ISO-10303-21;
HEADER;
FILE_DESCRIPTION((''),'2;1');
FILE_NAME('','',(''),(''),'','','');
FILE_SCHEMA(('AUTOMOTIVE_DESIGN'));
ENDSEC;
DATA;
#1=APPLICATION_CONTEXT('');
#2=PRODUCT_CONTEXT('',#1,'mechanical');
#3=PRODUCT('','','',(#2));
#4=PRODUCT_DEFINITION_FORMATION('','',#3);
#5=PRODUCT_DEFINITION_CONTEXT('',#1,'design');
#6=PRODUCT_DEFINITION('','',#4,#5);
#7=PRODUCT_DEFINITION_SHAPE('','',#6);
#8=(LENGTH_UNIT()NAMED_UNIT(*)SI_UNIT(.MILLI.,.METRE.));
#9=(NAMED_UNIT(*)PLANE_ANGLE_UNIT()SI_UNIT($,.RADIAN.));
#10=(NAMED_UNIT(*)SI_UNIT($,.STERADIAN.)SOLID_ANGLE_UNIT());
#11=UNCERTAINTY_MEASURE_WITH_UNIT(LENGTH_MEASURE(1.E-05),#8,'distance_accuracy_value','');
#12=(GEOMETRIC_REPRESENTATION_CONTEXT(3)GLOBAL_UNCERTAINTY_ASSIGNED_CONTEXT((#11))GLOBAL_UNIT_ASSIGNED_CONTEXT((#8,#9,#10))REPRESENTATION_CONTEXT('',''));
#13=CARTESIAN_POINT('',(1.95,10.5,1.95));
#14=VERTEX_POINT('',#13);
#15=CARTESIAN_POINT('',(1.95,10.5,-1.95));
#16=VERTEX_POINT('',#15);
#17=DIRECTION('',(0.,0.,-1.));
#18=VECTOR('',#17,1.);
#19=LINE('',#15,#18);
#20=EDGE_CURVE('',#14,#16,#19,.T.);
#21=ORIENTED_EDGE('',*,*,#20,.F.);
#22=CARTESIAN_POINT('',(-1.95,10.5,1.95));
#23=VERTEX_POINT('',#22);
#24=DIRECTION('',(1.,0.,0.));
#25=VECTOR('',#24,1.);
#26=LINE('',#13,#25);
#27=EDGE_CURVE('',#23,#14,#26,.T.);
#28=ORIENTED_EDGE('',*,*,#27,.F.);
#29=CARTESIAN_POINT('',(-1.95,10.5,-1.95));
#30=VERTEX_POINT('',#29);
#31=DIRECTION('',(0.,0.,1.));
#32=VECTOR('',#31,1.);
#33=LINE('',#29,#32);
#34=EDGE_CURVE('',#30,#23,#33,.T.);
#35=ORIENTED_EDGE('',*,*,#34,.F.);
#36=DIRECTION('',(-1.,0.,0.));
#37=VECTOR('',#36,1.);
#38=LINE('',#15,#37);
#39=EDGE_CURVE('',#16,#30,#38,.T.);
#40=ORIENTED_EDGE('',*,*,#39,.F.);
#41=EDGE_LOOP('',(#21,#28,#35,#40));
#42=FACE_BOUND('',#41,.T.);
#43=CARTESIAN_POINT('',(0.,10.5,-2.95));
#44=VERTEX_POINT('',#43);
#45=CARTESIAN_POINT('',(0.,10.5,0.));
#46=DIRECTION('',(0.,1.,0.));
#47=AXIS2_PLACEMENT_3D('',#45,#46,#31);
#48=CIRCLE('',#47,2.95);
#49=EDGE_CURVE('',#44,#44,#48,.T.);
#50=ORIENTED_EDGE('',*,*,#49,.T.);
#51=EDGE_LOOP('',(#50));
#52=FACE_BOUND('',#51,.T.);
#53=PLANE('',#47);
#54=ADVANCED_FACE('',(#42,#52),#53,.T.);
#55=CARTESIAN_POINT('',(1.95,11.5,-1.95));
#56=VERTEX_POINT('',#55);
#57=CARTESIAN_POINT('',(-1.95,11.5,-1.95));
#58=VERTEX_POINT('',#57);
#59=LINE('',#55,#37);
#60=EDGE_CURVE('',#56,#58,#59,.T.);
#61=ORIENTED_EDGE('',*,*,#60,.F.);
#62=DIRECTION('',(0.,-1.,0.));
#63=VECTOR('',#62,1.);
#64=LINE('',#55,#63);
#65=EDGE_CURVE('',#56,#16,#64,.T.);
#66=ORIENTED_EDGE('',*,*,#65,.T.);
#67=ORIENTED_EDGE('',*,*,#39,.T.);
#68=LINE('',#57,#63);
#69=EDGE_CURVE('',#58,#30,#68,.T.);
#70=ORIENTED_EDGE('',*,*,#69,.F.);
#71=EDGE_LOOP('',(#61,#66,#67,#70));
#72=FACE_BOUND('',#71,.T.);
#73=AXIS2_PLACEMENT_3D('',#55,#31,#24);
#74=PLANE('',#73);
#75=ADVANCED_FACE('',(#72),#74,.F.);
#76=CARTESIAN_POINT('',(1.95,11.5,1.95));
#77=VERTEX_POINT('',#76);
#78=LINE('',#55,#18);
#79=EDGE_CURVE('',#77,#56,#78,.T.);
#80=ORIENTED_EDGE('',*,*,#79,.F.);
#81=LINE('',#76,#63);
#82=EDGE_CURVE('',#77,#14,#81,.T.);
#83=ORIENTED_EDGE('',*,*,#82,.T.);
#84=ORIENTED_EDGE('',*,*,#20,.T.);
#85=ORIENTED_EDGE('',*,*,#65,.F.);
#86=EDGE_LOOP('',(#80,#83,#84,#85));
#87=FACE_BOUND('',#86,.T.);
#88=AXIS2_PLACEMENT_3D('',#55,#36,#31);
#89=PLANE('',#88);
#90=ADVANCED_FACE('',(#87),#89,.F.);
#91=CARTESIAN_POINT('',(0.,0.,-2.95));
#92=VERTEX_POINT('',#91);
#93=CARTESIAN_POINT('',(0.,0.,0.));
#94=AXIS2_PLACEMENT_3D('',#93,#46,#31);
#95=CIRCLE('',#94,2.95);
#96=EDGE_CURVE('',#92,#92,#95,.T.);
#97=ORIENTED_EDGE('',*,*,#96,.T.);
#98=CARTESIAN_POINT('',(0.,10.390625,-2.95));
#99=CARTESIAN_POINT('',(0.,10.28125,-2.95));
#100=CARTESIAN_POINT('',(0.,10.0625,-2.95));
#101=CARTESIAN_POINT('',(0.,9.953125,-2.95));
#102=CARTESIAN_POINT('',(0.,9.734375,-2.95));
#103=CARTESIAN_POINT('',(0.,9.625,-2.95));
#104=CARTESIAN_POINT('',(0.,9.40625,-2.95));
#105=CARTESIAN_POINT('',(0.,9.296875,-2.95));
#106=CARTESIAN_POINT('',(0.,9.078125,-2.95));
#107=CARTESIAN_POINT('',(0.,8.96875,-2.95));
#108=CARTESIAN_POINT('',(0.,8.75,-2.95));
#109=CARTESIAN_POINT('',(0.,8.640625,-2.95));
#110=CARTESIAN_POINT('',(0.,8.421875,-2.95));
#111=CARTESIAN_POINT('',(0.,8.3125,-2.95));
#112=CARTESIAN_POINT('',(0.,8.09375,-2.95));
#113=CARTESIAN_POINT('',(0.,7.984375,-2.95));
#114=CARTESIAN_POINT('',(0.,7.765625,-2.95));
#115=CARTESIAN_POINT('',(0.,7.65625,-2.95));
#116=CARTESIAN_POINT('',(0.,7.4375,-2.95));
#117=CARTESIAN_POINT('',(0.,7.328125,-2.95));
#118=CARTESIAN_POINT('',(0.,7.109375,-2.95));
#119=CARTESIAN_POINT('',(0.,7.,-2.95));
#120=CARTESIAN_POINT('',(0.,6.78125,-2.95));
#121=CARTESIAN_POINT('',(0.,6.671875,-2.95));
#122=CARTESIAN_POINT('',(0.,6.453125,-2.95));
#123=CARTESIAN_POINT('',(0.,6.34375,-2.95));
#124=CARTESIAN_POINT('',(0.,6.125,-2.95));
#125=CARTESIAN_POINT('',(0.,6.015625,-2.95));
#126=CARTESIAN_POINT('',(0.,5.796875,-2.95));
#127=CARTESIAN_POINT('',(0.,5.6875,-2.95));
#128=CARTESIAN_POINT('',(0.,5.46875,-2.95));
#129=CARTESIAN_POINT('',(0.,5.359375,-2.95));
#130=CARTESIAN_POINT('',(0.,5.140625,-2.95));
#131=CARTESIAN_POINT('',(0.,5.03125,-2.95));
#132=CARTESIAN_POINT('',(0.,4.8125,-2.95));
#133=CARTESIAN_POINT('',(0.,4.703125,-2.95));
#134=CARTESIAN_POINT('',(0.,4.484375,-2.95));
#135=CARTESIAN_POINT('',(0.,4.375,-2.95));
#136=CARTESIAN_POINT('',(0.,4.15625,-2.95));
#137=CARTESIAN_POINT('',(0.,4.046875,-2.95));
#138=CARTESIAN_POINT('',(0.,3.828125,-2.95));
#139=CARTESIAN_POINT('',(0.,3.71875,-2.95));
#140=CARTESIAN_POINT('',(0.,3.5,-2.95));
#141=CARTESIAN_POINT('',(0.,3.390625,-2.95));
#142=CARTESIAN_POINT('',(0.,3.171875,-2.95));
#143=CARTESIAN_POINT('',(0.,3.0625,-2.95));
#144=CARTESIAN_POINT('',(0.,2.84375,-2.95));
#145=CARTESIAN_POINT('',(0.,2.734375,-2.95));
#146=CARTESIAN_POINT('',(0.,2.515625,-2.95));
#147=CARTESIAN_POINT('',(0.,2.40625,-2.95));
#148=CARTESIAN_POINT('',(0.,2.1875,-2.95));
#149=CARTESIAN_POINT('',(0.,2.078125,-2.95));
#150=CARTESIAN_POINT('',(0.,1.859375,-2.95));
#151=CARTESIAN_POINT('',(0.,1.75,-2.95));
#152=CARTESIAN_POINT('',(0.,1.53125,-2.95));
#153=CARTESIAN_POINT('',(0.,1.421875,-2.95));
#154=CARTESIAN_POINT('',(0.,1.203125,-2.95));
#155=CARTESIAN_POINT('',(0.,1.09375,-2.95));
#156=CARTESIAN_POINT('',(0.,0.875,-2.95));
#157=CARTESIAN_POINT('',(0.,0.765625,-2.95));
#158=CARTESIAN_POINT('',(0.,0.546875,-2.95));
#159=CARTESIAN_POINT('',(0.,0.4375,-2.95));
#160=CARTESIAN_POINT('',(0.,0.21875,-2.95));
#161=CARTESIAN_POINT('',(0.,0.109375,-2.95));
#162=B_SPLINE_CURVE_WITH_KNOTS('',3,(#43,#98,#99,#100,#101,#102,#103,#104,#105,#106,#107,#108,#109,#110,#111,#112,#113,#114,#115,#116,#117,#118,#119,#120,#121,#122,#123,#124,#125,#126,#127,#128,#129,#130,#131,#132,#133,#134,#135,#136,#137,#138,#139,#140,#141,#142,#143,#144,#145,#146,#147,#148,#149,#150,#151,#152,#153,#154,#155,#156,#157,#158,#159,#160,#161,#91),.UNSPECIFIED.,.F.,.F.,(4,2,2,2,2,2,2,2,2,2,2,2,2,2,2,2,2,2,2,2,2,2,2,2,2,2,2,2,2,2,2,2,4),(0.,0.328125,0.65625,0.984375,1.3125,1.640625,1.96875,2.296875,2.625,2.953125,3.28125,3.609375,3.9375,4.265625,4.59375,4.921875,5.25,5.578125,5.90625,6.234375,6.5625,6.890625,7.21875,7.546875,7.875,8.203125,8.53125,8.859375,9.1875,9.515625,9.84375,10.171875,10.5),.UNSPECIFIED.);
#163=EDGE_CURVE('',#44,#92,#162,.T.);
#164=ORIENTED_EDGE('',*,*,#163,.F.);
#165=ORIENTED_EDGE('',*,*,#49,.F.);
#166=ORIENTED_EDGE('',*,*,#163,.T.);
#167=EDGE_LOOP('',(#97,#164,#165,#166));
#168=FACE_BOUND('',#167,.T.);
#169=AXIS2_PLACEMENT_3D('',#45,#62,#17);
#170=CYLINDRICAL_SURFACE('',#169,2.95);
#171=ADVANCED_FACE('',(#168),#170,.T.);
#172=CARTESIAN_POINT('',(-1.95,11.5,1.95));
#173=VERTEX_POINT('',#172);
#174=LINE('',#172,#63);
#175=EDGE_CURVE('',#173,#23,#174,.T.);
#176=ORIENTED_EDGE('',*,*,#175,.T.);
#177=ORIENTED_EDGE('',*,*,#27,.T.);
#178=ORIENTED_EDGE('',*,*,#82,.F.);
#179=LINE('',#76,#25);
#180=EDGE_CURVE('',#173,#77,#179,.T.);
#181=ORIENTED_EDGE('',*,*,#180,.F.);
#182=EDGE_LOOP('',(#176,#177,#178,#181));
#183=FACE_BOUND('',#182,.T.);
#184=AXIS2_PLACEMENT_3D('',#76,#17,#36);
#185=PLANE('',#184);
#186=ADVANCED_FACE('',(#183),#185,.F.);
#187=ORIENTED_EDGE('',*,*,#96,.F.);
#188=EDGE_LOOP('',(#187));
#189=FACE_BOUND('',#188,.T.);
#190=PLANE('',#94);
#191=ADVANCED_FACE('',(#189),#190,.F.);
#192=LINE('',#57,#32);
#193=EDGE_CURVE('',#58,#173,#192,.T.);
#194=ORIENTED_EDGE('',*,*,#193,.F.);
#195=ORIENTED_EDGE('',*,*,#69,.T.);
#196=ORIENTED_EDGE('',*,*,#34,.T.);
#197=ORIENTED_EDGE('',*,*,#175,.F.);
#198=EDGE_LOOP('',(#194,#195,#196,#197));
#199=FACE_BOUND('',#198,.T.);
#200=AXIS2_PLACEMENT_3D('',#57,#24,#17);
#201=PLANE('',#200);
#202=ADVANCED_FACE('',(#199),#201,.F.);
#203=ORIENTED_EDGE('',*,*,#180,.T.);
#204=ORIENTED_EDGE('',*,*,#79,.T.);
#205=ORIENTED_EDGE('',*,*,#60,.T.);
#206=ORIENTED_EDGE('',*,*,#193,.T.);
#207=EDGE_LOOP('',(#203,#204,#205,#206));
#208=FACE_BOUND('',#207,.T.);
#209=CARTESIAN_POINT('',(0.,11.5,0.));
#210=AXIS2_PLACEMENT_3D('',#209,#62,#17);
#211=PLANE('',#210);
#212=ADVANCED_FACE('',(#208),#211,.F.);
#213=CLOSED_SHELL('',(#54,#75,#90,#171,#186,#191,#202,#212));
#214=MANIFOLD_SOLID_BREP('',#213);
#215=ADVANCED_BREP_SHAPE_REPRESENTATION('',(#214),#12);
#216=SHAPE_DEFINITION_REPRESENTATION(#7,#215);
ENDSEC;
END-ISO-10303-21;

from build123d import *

# Parameters (mm, degrees)
SKETCH1_R           = 2.95
BOSS_EXTRUDE1_DEPTH = 10.5
SKETCH2_W           = 3.9
SKETCH2_H           = 3.9
BOSS_EXTRUDE3_DEPTH = 1


with BuildPart() as part:
    # Sketch1 → Boss-Extrude1 (new body)
    with BuildSketch(Plane(origin=(0, 0, 0), x_dir=(1, 0, 0), z_dir=(0, 1, 0))):
        with Locations(Location((0, 0, 0), (0, 0, 90))):
            Circle(SKETCH1_R)
    extrude(amount=BOSS_EXTRUDE1_DEPTH)

    # Sketch2 → Boss-Extrude3 (add)
    with BuildSketch(Plane(origin=(0, 10.5, 0), x_dir=(1, 0, 0), z_dir=(0, 1, 0))):
        Rectangle(SKETCH2_W, SKETCH2_H)
    extrude(amount=BOSS_EXTRUDE3_DEPTH)


solid = part.part
